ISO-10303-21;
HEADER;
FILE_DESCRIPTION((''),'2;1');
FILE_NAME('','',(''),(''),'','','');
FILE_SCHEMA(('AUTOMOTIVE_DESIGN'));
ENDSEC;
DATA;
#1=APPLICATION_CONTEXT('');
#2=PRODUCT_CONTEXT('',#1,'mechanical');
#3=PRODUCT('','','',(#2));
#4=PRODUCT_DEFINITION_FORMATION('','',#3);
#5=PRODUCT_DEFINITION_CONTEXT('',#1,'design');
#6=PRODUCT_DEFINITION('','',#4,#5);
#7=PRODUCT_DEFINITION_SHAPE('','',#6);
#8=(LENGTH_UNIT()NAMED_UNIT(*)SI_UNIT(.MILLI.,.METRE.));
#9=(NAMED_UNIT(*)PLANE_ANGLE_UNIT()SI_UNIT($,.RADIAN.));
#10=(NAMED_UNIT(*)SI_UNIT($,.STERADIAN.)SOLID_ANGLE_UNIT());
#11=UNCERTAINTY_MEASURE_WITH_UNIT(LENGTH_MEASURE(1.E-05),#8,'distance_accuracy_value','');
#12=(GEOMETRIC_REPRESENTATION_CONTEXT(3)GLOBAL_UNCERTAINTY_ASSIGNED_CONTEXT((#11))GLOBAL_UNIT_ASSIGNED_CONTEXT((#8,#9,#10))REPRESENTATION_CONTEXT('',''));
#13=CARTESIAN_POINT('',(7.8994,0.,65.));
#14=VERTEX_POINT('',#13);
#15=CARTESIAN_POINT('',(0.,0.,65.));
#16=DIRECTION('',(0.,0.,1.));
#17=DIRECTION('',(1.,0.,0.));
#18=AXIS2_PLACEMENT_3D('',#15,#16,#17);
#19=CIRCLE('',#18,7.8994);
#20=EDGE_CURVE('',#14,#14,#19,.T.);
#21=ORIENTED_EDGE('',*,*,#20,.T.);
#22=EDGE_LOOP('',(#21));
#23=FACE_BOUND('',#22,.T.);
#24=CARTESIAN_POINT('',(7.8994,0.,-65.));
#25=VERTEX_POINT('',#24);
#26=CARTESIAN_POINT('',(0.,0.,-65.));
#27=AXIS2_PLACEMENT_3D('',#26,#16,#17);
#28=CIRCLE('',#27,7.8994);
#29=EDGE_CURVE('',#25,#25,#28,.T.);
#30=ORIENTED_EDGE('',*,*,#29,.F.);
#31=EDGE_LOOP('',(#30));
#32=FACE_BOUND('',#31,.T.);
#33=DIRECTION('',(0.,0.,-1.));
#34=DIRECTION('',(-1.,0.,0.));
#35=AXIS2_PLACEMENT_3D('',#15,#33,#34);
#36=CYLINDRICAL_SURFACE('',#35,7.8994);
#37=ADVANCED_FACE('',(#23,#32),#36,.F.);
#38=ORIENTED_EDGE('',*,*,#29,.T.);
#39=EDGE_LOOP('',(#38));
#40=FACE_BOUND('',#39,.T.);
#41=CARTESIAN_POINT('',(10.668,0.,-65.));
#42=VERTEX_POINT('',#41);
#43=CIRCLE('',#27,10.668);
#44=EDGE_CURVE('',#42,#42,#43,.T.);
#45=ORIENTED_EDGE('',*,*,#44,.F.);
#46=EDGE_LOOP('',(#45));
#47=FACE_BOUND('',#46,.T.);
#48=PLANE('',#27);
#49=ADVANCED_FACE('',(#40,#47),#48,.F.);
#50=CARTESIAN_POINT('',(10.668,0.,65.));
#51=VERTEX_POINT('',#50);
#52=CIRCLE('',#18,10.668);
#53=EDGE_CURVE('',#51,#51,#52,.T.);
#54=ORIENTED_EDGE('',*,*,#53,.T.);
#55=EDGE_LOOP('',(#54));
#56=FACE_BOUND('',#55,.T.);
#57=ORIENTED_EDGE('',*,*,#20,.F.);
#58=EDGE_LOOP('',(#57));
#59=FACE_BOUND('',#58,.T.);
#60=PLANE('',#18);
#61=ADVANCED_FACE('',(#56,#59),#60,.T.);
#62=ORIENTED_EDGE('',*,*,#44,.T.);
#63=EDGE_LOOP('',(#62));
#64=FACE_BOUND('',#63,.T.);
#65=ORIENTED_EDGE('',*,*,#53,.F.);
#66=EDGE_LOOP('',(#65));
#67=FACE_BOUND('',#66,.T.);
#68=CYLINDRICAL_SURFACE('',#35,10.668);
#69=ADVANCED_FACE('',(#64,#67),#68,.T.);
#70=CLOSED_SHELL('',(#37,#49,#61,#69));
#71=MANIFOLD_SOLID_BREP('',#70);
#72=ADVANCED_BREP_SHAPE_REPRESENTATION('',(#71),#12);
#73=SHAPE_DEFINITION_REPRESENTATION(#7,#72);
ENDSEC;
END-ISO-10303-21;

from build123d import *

# Parameters (mm, degrees)
SKETCH1_R           = 10.668
SKETCH1_R_2         = 7.8994
EXTRUDE_THIN1_DEPTH = 65


with BuildPart() as part:
    # Sketch1 → Extrude-Thin1 (new, symmetric)
    with BuildSketch(Plane.XY):
        Circle(SKETCH1_R)
        Circle(SKETCH1_R_2, mode=Mode.SUBTRACT)
    extrude(amount=EXTRUDE_THIN1_DEPTH, both=True)


solid = part.part
